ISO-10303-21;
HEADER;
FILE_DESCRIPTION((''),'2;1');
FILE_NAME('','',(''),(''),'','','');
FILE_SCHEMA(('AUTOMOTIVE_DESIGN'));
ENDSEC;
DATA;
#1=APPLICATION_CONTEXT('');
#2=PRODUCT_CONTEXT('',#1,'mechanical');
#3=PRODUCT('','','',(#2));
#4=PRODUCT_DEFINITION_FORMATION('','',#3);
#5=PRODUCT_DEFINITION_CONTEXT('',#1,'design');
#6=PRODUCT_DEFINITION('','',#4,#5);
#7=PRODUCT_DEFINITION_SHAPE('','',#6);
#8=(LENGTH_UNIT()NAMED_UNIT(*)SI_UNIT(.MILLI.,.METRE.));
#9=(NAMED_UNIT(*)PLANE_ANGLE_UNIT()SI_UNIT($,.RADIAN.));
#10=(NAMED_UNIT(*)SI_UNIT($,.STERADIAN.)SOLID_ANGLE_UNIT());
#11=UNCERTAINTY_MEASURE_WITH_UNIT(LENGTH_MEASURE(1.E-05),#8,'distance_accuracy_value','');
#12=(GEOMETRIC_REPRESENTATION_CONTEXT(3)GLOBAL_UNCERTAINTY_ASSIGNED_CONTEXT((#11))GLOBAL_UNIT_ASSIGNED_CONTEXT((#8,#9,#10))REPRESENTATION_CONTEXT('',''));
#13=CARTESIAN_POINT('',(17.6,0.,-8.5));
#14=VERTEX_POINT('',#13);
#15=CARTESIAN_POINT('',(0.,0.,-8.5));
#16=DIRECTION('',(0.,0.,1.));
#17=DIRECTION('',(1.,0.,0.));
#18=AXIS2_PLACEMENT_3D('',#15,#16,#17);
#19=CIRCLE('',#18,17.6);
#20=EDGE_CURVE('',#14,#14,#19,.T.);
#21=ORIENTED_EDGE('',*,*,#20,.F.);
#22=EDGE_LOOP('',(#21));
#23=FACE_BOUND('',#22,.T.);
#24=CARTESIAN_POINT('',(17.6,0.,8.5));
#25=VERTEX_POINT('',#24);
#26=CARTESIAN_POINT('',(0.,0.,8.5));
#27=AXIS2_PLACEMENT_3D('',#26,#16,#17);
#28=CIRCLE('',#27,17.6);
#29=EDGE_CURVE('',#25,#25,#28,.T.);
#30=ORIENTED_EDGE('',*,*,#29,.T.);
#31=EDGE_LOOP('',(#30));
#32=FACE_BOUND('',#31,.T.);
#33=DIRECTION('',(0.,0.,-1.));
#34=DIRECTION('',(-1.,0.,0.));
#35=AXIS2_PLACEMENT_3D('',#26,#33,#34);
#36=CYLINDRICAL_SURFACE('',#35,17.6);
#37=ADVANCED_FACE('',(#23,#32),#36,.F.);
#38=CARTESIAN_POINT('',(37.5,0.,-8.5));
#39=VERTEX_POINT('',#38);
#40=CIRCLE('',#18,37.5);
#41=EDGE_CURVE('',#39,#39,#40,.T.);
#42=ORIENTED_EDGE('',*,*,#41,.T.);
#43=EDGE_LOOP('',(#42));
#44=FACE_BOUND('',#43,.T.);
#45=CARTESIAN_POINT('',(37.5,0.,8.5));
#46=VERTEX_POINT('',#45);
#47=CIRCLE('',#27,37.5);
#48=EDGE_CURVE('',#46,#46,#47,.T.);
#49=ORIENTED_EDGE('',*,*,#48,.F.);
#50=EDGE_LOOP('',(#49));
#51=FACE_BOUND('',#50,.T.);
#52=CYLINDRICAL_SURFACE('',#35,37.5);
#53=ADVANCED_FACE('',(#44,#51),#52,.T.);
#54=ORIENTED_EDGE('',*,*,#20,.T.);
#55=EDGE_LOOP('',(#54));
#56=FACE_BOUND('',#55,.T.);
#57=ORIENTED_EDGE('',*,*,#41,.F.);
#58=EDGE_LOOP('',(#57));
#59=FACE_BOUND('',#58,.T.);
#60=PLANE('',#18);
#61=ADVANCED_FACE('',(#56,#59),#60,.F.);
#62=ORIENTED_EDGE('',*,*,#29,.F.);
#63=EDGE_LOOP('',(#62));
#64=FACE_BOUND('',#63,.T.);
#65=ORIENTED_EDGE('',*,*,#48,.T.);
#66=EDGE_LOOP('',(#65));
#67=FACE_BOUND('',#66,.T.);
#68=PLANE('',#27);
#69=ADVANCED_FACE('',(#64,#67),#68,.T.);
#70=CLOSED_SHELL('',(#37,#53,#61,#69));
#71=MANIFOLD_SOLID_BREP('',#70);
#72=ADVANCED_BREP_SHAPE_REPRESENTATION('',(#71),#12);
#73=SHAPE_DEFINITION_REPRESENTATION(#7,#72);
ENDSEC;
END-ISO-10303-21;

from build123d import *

# Parameters (mm, degrees)
IZIM1_R                     = 37.5
IZIM1_R_2                   = 17.6
Y_KSEKLIK_EKSTR_ZYON1_DEPTH = 8.5


with BuildPart() as part:
    # Çizim1 → Yükseklik-Ekstrüzyon1 (new body, symmetric)
    with BuildSketch(Plane.XY):
        Circle(IZIM1_R)
        Circle(IZIM1_R_2, mode=Mode.SUBTRACT)
    extrude(amount=Y_KSEKLIK_EKSTR_ZYON1_DEPTH, both=True)


solid = part.part
